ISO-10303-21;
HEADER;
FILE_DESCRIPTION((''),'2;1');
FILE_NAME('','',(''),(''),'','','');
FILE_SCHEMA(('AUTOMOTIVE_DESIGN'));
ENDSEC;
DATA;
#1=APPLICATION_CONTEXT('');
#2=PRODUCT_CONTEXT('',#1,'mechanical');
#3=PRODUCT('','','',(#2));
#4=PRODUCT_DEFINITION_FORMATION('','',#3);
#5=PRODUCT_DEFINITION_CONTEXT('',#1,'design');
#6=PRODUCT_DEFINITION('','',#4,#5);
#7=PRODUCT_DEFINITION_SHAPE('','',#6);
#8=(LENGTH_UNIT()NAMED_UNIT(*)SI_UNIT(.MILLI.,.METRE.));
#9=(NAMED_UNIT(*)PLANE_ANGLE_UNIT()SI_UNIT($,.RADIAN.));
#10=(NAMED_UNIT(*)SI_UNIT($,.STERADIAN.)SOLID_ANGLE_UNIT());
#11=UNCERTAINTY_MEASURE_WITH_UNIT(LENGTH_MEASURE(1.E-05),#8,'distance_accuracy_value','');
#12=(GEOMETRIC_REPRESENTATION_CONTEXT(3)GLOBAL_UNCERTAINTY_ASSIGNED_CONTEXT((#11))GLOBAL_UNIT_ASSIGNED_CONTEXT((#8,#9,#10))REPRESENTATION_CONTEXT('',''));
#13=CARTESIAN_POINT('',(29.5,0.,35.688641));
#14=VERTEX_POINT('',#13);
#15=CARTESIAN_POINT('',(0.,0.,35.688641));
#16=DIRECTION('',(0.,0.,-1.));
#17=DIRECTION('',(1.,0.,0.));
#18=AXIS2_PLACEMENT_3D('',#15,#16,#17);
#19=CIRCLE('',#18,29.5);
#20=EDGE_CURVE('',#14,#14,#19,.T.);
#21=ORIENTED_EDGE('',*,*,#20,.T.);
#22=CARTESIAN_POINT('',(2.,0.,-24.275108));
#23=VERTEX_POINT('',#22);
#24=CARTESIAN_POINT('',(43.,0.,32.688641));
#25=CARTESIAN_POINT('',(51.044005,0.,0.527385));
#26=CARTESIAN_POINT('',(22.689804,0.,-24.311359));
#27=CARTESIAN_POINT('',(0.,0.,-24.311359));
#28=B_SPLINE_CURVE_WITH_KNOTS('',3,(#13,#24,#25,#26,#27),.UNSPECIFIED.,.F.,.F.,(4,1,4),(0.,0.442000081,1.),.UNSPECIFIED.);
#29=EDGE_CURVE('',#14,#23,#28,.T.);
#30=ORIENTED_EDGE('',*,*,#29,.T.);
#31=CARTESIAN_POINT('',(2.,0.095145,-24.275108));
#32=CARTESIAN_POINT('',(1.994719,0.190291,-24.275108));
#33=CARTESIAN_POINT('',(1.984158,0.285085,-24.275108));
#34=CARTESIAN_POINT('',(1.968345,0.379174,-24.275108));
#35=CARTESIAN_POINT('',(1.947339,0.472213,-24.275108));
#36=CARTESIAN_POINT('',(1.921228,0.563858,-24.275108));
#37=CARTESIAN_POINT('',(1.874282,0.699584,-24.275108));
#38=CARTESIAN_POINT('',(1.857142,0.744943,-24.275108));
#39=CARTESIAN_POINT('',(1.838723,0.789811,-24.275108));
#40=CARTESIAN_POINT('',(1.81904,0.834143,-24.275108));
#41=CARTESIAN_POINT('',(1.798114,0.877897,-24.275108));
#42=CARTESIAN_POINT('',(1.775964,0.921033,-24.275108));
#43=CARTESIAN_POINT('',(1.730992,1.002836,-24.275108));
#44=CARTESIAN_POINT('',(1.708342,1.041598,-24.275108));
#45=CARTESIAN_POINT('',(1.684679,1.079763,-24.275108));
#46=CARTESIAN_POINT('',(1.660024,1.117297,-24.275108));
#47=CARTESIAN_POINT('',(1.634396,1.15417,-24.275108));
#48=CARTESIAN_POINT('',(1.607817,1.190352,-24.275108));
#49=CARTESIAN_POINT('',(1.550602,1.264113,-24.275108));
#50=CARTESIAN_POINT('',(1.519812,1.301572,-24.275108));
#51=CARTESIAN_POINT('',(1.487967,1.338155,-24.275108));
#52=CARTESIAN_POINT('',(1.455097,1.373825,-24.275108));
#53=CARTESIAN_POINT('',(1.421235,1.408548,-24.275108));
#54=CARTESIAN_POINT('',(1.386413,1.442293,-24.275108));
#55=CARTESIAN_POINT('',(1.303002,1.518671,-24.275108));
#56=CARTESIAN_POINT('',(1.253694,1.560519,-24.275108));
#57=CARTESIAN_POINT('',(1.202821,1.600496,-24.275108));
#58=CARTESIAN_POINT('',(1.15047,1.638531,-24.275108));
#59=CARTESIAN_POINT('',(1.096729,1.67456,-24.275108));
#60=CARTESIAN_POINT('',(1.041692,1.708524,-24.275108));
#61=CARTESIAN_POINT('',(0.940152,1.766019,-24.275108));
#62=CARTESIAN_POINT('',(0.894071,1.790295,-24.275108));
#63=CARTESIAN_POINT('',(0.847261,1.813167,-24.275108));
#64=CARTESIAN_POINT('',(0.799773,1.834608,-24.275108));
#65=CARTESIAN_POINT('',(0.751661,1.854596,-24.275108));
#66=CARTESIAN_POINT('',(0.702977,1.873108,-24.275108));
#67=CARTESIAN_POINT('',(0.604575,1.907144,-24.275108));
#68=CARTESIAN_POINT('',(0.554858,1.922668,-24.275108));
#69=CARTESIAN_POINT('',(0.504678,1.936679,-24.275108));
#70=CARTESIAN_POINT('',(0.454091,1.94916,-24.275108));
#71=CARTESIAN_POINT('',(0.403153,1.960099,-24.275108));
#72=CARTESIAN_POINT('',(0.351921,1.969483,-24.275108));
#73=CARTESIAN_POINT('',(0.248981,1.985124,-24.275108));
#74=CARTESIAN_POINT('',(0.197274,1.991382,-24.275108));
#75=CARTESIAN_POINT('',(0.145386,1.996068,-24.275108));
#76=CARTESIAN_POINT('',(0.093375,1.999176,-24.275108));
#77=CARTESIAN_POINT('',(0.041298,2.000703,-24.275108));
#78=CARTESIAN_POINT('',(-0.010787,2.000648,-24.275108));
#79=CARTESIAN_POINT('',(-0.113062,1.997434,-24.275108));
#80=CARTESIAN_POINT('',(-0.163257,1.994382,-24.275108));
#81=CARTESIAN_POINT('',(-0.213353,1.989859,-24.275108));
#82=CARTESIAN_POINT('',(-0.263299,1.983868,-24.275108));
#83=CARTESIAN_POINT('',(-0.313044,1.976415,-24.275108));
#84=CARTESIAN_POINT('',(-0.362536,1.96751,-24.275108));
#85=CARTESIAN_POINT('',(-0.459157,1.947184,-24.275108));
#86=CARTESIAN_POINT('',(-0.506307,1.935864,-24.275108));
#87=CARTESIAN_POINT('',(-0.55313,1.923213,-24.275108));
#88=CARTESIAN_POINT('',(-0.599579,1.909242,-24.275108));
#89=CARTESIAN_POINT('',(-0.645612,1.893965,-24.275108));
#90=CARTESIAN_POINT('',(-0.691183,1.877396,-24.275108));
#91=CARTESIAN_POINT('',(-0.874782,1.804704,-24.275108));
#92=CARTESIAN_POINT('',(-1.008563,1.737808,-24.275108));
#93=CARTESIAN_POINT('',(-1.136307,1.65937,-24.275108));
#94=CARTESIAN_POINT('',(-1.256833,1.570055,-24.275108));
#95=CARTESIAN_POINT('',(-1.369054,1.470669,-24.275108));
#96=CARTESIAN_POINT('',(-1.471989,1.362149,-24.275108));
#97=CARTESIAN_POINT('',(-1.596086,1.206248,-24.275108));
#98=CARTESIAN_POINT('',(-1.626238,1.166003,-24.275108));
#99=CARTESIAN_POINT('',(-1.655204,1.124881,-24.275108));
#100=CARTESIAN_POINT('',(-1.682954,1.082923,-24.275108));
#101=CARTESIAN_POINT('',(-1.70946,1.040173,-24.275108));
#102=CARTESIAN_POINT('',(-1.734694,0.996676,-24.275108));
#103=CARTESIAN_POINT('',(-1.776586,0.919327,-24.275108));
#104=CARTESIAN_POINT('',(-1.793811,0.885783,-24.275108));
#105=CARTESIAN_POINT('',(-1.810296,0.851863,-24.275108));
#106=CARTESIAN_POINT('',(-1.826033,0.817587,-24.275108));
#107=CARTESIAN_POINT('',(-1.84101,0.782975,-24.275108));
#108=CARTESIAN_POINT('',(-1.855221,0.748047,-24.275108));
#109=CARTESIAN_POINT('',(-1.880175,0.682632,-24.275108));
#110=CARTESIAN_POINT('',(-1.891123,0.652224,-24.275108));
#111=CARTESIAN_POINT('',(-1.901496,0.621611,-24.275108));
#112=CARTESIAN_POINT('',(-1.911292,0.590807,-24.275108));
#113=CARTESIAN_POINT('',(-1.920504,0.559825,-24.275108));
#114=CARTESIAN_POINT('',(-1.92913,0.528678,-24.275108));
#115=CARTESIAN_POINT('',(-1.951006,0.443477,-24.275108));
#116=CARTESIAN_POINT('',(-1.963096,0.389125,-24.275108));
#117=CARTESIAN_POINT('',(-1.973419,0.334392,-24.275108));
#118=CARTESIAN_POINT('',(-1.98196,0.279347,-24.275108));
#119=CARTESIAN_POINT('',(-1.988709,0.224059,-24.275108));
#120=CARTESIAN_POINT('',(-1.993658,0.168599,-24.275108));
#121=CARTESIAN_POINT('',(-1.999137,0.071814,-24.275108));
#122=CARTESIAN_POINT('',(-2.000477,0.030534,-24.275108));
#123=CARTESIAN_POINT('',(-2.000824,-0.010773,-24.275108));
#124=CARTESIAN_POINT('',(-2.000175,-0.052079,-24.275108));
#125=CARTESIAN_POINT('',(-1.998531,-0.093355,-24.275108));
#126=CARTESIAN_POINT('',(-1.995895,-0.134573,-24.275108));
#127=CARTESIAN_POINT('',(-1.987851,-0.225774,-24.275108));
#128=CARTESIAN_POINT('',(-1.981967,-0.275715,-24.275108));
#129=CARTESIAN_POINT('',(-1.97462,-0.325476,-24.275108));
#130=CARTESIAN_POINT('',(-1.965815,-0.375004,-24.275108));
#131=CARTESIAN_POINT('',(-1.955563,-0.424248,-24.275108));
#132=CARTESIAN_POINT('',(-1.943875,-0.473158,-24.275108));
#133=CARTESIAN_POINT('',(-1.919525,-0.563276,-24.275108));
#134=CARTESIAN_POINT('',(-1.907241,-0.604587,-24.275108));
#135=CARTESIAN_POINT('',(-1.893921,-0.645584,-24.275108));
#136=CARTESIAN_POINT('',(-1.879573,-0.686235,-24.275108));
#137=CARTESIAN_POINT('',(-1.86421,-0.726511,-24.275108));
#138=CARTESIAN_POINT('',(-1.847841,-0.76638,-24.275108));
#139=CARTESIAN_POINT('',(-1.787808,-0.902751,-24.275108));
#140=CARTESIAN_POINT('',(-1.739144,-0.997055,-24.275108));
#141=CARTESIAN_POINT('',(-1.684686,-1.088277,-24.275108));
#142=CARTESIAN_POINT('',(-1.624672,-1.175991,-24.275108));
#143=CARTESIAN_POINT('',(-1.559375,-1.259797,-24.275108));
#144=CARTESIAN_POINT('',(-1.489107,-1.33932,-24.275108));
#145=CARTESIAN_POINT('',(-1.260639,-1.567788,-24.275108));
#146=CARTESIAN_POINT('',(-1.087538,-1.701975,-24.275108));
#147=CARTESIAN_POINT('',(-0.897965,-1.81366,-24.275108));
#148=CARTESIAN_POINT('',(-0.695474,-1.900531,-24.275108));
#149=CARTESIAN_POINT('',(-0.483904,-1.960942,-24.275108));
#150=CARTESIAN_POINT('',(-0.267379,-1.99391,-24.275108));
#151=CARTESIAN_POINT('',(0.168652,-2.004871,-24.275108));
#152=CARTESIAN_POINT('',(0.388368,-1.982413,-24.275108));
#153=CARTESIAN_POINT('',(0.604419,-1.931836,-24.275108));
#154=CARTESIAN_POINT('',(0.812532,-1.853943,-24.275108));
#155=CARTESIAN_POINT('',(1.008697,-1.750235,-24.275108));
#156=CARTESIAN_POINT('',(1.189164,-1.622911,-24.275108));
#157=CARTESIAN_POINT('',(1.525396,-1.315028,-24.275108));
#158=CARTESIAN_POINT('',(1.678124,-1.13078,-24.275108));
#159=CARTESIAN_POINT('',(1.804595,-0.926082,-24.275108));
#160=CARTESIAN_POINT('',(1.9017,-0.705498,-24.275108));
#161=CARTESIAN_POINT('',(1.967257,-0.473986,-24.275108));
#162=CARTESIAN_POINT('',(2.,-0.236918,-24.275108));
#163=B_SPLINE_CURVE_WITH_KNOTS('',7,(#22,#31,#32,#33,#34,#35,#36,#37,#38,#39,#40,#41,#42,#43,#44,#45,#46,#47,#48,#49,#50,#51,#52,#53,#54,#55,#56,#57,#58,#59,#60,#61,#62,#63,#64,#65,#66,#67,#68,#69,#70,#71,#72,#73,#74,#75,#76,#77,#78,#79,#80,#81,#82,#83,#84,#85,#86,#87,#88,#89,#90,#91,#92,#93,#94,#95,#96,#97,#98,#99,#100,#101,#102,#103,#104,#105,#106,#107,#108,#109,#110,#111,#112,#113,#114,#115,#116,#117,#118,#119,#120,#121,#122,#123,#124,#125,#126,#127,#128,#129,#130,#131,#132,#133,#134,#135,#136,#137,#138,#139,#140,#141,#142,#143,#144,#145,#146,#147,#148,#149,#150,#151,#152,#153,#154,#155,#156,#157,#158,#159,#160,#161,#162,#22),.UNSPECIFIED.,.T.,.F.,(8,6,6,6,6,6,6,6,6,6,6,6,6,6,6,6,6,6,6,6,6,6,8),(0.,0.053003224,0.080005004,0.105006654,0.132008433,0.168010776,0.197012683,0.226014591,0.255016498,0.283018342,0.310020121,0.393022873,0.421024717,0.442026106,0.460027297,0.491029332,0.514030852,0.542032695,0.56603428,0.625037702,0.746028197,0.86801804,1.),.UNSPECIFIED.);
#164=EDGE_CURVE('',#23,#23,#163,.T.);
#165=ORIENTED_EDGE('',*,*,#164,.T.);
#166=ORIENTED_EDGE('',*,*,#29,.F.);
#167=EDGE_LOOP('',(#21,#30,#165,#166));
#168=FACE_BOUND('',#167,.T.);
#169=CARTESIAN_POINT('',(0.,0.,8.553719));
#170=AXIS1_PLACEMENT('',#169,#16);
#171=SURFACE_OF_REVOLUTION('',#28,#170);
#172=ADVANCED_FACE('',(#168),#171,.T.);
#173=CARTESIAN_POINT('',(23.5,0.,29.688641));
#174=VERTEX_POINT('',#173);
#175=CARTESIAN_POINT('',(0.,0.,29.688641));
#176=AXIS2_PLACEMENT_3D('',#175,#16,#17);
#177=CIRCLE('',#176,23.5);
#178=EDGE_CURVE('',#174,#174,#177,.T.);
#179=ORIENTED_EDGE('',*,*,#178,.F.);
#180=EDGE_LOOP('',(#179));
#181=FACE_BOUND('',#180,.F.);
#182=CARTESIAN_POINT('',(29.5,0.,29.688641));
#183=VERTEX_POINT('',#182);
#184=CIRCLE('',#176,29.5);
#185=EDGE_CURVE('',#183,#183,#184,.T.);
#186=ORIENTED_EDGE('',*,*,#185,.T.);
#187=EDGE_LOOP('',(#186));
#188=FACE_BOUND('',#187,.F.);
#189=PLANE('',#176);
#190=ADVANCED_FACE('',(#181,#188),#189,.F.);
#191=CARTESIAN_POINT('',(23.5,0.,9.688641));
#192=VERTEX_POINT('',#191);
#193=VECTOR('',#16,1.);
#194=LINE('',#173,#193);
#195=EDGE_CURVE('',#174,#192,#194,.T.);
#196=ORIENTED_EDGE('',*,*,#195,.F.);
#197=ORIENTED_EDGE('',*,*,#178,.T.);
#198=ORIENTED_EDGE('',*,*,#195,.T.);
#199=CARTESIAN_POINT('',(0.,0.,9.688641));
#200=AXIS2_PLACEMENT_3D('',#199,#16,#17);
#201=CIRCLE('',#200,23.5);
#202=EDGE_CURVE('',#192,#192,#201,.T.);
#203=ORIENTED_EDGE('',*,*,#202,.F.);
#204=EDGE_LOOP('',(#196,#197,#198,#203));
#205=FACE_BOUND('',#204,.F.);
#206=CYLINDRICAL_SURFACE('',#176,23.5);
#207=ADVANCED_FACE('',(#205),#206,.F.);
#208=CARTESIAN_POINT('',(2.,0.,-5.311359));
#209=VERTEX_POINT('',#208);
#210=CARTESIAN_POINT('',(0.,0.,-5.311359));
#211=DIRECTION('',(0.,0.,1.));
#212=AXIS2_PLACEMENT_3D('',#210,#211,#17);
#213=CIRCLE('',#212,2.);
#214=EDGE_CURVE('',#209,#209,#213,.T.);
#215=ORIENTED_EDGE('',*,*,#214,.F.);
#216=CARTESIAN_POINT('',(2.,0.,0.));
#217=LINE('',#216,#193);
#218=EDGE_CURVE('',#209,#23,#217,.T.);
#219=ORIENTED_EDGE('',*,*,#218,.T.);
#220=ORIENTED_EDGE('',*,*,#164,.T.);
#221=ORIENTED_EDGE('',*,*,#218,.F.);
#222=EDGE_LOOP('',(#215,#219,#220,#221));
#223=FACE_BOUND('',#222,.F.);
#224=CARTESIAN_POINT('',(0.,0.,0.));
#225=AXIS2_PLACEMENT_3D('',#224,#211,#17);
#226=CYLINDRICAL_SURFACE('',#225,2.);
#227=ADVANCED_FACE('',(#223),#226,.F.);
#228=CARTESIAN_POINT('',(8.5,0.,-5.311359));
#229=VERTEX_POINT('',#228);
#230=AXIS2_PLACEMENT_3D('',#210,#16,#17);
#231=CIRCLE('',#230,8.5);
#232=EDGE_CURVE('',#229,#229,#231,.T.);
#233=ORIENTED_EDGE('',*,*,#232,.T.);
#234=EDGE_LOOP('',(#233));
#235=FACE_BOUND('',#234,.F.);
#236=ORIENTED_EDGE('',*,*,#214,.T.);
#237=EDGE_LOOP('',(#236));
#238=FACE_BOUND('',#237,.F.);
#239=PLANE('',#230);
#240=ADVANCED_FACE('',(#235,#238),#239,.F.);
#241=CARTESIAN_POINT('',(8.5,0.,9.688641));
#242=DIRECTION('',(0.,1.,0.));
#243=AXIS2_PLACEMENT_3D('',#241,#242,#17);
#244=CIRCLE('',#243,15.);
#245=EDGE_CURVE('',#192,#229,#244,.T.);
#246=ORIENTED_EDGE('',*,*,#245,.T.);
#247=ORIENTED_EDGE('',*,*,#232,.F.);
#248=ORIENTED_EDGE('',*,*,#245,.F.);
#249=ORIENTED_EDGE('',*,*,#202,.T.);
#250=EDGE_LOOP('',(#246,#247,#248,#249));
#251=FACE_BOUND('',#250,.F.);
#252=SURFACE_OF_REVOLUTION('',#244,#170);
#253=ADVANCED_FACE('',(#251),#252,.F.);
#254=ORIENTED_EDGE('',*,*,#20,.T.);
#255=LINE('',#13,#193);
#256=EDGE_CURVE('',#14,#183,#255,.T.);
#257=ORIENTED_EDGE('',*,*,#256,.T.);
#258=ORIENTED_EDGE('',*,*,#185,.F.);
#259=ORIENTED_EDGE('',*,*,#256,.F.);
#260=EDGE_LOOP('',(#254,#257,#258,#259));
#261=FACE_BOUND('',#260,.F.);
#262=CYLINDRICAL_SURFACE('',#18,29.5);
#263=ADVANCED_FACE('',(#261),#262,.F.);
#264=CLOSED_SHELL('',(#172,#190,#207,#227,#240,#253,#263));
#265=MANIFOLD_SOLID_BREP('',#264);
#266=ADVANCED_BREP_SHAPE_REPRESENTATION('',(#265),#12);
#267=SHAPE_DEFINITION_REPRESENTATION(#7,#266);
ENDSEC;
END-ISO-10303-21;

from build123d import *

# Parameters (mm, degrees)
F2_R     = 2
F3_DEPTH = 24.3123587823


with BuildPart() as f1:
    # F0 (on Front) → F1 (revolve)
    with BuildSketch(Plane.XZ):
        with BuildLine():
            Line((29.5, 29.6886413177), (23.5, 29.6886413177))
            Line((23.5, 29.6886413177), (23.5, 9.6886413177))
            ThreePointArc((23.5, 9.6886413177), (19.1066017178, -0.9179604001), (8.5, -5.3113586823))
            Line((8.5, -5.3113586823), (0, -5.3113586823))
            Line((0, -5.3113586823), (0, -24.3113586823))
            add(Edge.make_bspline(
                [(29.5, 35.6886413177), (43, 32.6886413177), (51.0440050218, 0.5273848631), (22.6898039743, -24.3113586823), (0, -24.3113586823)],
                knots=[0, 0, 0, 0, 0.4420000814, 1, 1, 1, 1], degree=3))
            Line((29.5, 35.6886413177), (29.5, 29.6886413177))
        make_face()
    revolve(axis=Axis((0, 0, 8.553719148), (0, 0, -1)))

    # F2 (on Top) → F3 (cut, through all)
    with BuildSketch(Plane.XY):
        Circle(F2_R)
    extrude(amount=-F3_DEPTH, mode=Mode.SUBTRACT)


solid = f1.part
